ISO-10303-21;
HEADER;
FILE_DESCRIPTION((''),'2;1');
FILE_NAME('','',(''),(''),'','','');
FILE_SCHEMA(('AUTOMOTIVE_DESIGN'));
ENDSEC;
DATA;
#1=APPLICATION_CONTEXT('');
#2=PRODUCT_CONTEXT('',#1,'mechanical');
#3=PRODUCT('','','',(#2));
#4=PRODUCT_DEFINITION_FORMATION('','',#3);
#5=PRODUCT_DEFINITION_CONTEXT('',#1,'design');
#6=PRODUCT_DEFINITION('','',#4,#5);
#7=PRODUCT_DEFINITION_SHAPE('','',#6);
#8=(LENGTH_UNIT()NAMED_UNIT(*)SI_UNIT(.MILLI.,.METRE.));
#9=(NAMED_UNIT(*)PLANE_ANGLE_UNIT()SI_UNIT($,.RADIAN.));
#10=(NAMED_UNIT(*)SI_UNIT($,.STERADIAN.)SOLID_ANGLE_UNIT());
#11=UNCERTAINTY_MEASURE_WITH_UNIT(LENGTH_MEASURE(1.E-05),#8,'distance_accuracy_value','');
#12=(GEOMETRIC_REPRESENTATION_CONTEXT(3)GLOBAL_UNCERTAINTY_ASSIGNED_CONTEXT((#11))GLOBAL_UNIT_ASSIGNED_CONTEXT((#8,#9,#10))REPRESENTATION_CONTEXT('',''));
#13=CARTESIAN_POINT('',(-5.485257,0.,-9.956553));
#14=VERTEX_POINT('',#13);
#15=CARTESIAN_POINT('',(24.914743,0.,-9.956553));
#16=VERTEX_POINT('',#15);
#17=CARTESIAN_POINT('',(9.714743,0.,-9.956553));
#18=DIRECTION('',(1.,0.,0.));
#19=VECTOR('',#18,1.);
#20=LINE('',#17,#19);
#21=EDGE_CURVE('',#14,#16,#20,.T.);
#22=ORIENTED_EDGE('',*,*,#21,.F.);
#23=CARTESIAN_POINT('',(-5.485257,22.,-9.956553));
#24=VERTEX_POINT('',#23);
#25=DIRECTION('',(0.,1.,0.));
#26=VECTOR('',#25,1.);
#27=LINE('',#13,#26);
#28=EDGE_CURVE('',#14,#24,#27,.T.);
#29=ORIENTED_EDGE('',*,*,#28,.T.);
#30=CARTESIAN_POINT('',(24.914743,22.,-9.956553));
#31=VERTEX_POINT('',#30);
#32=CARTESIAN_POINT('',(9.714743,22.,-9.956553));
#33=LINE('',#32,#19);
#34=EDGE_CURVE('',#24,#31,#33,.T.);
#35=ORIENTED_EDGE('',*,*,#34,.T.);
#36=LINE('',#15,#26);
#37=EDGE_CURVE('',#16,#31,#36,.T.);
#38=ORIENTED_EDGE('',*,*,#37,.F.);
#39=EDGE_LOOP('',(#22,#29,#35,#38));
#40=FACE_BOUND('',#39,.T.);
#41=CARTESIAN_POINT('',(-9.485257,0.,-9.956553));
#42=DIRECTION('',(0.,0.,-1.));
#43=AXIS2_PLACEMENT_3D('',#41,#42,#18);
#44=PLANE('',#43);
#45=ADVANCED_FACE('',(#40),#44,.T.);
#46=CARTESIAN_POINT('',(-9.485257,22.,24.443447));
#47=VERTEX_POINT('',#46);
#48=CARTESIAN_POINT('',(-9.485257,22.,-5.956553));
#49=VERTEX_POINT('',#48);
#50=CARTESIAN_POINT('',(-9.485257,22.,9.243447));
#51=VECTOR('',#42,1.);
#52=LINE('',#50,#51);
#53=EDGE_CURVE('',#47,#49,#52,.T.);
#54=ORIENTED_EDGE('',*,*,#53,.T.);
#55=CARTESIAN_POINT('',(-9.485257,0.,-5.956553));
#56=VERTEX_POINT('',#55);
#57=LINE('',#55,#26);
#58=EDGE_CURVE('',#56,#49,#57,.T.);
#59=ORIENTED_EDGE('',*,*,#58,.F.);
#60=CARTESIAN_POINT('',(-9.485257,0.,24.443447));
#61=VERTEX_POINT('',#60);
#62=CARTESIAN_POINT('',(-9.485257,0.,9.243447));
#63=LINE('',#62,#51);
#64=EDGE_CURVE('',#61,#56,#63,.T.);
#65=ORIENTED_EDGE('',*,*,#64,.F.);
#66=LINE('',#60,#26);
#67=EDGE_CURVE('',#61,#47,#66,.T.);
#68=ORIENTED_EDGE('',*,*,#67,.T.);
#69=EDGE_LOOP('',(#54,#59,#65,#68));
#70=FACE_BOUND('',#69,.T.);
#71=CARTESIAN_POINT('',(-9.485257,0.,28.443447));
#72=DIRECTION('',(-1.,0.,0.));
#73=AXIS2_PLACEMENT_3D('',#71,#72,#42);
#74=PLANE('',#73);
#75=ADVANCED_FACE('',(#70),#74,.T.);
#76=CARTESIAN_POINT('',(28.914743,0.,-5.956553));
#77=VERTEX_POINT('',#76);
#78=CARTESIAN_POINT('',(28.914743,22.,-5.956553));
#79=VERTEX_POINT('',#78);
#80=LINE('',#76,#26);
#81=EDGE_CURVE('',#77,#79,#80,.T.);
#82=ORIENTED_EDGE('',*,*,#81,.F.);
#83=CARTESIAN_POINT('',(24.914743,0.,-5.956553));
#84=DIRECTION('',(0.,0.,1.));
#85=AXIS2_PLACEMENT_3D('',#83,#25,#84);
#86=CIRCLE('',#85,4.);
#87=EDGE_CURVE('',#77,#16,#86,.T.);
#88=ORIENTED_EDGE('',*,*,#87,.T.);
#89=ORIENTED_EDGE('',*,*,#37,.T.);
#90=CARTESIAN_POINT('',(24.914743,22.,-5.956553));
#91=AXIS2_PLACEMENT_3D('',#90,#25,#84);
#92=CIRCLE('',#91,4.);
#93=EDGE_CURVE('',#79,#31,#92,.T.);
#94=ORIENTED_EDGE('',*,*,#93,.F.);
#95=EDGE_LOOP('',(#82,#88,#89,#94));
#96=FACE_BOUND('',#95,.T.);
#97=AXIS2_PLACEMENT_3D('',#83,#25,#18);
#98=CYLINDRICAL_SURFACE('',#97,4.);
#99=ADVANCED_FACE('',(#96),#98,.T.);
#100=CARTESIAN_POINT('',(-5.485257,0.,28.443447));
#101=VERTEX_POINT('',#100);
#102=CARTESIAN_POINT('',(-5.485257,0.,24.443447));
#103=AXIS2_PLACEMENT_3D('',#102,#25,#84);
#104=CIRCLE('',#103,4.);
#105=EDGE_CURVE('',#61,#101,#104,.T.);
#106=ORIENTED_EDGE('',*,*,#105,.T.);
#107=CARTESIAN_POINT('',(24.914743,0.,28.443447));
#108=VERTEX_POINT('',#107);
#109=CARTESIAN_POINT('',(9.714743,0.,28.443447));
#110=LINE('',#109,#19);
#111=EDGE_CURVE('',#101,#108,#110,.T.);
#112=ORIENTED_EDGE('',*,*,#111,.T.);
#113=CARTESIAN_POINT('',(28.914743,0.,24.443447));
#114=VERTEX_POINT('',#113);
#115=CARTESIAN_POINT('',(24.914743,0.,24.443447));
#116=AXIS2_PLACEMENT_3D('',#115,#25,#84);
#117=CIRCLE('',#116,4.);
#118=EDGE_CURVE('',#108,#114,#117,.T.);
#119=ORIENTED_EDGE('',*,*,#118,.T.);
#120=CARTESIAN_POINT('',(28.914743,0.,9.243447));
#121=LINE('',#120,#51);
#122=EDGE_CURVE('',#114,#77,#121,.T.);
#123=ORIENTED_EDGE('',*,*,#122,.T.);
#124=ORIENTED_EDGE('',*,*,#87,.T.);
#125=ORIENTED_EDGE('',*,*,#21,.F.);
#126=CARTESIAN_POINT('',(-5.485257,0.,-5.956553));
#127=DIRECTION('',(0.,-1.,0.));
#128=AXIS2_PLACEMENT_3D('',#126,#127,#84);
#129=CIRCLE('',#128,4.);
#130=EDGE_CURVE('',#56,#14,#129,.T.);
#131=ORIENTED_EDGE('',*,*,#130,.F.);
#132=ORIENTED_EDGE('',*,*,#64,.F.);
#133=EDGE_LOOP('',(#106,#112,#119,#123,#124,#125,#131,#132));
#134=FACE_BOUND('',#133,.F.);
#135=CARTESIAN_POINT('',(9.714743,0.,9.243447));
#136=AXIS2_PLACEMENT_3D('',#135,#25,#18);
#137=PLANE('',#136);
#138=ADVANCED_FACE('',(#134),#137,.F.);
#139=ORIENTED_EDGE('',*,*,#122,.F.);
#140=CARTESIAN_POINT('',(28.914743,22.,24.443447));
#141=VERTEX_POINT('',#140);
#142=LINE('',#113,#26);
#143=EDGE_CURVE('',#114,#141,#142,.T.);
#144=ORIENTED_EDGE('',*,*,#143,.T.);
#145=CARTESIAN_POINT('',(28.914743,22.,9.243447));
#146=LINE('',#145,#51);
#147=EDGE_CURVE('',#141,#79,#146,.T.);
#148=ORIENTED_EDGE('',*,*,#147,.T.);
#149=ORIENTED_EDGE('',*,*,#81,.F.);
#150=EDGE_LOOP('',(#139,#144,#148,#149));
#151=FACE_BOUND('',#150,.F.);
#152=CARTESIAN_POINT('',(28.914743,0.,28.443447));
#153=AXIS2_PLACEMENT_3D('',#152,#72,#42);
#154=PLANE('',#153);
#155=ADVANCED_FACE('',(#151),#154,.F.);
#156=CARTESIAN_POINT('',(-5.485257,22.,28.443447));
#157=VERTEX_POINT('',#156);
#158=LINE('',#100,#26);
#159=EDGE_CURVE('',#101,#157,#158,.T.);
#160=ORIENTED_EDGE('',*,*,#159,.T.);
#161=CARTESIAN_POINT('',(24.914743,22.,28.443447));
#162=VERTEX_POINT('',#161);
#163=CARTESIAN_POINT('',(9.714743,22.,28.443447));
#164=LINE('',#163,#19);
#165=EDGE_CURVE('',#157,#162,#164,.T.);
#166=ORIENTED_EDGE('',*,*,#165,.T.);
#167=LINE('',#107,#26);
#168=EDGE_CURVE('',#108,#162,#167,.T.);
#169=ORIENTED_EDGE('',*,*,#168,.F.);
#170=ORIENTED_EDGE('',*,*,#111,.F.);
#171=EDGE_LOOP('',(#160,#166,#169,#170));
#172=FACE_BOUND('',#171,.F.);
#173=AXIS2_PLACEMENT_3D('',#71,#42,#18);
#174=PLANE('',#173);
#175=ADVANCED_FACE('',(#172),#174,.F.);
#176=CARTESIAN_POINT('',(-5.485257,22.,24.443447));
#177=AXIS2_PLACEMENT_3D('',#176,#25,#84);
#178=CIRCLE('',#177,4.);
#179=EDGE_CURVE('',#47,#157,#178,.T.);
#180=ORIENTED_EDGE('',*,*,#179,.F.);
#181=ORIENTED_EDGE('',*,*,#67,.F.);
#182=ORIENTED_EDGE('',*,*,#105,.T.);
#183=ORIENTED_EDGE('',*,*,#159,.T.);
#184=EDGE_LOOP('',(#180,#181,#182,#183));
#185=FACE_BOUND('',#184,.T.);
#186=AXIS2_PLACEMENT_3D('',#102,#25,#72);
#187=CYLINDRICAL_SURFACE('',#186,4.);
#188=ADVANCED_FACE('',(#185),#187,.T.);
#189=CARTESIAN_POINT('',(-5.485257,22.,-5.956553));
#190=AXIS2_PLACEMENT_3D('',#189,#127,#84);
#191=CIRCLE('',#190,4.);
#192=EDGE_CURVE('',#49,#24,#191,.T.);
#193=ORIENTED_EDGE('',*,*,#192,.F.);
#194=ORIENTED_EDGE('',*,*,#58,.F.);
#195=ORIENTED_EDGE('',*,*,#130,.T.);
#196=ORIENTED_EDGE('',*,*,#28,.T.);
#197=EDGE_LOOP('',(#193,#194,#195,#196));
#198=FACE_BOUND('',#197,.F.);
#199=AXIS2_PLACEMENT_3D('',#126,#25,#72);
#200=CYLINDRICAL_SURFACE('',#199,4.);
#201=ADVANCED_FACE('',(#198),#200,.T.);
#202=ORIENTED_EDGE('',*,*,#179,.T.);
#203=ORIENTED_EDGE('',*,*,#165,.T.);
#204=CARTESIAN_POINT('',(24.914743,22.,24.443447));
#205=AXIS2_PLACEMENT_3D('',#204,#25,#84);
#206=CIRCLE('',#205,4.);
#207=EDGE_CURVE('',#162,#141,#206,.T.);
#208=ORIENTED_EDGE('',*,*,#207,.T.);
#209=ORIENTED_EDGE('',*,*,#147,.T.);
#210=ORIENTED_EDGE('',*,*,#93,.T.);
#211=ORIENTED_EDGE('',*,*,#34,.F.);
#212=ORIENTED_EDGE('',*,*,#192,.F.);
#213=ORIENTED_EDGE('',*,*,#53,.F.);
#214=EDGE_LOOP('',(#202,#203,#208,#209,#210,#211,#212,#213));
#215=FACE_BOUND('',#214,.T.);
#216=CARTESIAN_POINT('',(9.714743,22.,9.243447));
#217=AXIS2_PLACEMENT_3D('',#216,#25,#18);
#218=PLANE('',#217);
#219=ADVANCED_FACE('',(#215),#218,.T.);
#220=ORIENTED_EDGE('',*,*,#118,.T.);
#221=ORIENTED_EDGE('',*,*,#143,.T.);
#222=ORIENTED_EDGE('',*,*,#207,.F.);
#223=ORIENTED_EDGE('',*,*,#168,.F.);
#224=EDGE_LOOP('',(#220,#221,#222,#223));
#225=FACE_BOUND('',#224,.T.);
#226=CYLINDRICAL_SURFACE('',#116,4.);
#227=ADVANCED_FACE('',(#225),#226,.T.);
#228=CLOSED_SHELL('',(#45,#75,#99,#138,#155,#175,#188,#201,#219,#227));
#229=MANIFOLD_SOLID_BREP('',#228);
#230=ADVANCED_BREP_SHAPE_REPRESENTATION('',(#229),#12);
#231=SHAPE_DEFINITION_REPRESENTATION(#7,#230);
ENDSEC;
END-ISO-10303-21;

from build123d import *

# Parameters (mm, degrees)
SKETCH2_W           = 38.4
SKETCH2_H           = 38.4
BOSS_EXTRUDE1_DEPTH = 22
FILLET1_R           = 4


with BuildPart() as part:
    # Sketch2 → Boss-Extrude1 (new body)
    with BuildSketch(Plane(origin=(0, 0, 0), x_dir=(1, 0, 0), z_dir=(0, 1, 0))):
        with Locations((9.714743237, -9.243446602)):
            Rectangle(SKETCH2_W, SKETCH2_H)
    extrude(amount=BOSS_EXTRUDE1_DEPTH)

    # Fillet1
    fillet1_edges = [part.edges().sort_by_distance(p)[0] for p in [
        (-9.485256763, 11, -9.956553398),
        (28.914743237, 11, -9.956553398),
        (28.914743237, 11, 28.443446602),
        (-9.485256763, 11, 28.443446602),
    ]]
    fillet(fillet1_edges, radius=FILLET1_R)


solid = part.part
